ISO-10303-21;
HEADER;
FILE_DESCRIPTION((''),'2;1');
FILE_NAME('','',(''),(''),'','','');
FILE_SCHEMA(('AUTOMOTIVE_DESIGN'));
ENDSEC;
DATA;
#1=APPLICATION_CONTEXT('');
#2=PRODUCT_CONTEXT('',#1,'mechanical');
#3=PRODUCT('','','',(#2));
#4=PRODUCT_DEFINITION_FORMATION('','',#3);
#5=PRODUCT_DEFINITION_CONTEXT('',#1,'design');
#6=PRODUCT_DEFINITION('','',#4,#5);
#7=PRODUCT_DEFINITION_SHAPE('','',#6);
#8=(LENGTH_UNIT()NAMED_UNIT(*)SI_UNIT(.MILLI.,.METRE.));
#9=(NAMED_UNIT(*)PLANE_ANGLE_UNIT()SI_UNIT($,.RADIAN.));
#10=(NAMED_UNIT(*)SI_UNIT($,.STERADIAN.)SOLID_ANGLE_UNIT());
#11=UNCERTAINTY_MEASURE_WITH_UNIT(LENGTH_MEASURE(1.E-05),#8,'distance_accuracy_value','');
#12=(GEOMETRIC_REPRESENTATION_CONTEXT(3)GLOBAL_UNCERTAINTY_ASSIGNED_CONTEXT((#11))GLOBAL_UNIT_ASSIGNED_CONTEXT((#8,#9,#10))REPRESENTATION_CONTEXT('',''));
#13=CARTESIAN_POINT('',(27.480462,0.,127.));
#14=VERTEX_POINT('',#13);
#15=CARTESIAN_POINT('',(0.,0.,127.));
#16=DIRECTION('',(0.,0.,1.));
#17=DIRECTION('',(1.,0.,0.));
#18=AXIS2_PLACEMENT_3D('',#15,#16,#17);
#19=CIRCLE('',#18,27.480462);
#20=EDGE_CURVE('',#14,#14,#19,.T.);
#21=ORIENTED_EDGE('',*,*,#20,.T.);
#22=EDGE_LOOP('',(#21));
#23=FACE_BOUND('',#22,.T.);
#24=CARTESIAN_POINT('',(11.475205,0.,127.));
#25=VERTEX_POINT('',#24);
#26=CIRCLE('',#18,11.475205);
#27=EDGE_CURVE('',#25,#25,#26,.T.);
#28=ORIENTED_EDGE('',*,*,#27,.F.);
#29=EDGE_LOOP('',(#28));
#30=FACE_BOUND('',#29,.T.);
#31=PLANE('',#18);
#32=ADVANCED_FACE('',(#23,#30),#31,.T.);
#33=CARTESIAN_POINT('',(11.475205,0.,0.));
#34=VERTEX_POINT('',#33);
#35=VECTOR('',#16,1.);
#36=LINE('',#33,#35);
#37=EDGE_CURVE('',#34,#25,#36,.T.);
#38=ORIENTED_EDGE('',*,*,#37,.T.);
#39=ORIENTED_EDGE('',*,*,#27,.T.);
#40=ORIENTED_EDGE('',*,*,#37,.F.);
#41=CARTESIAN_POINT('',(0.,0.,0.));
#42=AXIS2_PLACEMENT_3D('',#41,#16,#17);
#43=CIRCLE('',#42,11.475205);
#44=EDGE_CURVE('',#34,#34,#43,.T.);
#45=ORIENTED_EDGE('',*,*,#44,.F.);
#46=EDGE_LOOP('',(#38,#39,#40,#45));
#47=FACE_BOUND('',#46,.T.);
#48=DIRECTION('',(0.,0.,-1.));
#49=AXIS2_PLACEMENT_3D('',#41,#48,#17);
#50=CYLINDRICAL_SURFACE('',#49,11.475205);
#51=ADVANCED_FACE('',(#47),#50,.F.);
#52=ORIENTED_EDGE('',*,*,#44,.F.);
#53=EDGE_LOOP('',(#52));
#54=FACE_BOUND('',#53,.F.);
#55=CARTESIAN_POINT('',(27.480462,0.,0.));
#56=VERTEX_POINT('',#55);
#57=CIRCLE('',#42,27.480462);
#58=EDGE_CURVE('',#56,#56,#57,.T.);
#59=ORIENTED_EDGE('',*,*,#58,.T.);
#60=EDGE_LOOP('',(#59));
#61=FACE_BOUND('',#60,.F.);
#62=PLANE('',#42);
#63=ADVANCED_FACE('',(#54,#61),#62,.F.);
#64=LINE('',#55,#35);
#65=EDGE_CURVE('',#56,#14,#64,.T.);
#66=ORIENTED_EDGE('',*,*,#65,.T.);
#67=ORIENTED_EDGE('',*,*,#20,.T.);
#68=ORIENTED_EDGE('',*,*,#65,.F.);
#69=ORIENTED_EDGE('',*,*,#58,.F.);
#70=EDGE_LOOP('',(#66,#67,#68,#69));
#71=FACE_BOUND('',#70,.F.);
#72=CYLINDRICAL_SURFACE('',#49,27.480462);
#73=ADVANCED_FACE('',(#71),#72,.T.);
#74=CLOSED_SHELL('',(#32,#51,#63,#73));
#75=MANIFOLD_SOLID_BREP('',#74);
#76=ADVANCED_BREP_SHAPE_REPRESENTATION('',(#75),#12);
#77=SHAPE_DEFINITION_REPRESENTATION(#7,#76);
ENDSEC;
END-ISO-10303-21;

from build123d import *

# Parameters (mm, degrees)
F0_R     = 27.480462
F0_R_2   = 11.475205
F1_DEPTH = 127
F2_R     = 26.7589
F3_DEPTH = 38.1


with BuildPart() as f1:
    # F0 (on Top) → F1 (new body)
    with BuildSketch(Plane.XY):
        Circle(F0_R)
        Circle(F0_R_2, mode=Mode.SUBTRACT)
    extrude(amount=F1_DEPTH)


with BuildPart() as f3:
    # F2 (on Front) → F3 (new body, symmetric)
    with BuildSketch(Plane.XZ):
        with Locations((-124.147885, 27.501423)):
            Circle(F2_R)
    extrude(amount=F3_DEPTH, both=True)


solid = f1.part
